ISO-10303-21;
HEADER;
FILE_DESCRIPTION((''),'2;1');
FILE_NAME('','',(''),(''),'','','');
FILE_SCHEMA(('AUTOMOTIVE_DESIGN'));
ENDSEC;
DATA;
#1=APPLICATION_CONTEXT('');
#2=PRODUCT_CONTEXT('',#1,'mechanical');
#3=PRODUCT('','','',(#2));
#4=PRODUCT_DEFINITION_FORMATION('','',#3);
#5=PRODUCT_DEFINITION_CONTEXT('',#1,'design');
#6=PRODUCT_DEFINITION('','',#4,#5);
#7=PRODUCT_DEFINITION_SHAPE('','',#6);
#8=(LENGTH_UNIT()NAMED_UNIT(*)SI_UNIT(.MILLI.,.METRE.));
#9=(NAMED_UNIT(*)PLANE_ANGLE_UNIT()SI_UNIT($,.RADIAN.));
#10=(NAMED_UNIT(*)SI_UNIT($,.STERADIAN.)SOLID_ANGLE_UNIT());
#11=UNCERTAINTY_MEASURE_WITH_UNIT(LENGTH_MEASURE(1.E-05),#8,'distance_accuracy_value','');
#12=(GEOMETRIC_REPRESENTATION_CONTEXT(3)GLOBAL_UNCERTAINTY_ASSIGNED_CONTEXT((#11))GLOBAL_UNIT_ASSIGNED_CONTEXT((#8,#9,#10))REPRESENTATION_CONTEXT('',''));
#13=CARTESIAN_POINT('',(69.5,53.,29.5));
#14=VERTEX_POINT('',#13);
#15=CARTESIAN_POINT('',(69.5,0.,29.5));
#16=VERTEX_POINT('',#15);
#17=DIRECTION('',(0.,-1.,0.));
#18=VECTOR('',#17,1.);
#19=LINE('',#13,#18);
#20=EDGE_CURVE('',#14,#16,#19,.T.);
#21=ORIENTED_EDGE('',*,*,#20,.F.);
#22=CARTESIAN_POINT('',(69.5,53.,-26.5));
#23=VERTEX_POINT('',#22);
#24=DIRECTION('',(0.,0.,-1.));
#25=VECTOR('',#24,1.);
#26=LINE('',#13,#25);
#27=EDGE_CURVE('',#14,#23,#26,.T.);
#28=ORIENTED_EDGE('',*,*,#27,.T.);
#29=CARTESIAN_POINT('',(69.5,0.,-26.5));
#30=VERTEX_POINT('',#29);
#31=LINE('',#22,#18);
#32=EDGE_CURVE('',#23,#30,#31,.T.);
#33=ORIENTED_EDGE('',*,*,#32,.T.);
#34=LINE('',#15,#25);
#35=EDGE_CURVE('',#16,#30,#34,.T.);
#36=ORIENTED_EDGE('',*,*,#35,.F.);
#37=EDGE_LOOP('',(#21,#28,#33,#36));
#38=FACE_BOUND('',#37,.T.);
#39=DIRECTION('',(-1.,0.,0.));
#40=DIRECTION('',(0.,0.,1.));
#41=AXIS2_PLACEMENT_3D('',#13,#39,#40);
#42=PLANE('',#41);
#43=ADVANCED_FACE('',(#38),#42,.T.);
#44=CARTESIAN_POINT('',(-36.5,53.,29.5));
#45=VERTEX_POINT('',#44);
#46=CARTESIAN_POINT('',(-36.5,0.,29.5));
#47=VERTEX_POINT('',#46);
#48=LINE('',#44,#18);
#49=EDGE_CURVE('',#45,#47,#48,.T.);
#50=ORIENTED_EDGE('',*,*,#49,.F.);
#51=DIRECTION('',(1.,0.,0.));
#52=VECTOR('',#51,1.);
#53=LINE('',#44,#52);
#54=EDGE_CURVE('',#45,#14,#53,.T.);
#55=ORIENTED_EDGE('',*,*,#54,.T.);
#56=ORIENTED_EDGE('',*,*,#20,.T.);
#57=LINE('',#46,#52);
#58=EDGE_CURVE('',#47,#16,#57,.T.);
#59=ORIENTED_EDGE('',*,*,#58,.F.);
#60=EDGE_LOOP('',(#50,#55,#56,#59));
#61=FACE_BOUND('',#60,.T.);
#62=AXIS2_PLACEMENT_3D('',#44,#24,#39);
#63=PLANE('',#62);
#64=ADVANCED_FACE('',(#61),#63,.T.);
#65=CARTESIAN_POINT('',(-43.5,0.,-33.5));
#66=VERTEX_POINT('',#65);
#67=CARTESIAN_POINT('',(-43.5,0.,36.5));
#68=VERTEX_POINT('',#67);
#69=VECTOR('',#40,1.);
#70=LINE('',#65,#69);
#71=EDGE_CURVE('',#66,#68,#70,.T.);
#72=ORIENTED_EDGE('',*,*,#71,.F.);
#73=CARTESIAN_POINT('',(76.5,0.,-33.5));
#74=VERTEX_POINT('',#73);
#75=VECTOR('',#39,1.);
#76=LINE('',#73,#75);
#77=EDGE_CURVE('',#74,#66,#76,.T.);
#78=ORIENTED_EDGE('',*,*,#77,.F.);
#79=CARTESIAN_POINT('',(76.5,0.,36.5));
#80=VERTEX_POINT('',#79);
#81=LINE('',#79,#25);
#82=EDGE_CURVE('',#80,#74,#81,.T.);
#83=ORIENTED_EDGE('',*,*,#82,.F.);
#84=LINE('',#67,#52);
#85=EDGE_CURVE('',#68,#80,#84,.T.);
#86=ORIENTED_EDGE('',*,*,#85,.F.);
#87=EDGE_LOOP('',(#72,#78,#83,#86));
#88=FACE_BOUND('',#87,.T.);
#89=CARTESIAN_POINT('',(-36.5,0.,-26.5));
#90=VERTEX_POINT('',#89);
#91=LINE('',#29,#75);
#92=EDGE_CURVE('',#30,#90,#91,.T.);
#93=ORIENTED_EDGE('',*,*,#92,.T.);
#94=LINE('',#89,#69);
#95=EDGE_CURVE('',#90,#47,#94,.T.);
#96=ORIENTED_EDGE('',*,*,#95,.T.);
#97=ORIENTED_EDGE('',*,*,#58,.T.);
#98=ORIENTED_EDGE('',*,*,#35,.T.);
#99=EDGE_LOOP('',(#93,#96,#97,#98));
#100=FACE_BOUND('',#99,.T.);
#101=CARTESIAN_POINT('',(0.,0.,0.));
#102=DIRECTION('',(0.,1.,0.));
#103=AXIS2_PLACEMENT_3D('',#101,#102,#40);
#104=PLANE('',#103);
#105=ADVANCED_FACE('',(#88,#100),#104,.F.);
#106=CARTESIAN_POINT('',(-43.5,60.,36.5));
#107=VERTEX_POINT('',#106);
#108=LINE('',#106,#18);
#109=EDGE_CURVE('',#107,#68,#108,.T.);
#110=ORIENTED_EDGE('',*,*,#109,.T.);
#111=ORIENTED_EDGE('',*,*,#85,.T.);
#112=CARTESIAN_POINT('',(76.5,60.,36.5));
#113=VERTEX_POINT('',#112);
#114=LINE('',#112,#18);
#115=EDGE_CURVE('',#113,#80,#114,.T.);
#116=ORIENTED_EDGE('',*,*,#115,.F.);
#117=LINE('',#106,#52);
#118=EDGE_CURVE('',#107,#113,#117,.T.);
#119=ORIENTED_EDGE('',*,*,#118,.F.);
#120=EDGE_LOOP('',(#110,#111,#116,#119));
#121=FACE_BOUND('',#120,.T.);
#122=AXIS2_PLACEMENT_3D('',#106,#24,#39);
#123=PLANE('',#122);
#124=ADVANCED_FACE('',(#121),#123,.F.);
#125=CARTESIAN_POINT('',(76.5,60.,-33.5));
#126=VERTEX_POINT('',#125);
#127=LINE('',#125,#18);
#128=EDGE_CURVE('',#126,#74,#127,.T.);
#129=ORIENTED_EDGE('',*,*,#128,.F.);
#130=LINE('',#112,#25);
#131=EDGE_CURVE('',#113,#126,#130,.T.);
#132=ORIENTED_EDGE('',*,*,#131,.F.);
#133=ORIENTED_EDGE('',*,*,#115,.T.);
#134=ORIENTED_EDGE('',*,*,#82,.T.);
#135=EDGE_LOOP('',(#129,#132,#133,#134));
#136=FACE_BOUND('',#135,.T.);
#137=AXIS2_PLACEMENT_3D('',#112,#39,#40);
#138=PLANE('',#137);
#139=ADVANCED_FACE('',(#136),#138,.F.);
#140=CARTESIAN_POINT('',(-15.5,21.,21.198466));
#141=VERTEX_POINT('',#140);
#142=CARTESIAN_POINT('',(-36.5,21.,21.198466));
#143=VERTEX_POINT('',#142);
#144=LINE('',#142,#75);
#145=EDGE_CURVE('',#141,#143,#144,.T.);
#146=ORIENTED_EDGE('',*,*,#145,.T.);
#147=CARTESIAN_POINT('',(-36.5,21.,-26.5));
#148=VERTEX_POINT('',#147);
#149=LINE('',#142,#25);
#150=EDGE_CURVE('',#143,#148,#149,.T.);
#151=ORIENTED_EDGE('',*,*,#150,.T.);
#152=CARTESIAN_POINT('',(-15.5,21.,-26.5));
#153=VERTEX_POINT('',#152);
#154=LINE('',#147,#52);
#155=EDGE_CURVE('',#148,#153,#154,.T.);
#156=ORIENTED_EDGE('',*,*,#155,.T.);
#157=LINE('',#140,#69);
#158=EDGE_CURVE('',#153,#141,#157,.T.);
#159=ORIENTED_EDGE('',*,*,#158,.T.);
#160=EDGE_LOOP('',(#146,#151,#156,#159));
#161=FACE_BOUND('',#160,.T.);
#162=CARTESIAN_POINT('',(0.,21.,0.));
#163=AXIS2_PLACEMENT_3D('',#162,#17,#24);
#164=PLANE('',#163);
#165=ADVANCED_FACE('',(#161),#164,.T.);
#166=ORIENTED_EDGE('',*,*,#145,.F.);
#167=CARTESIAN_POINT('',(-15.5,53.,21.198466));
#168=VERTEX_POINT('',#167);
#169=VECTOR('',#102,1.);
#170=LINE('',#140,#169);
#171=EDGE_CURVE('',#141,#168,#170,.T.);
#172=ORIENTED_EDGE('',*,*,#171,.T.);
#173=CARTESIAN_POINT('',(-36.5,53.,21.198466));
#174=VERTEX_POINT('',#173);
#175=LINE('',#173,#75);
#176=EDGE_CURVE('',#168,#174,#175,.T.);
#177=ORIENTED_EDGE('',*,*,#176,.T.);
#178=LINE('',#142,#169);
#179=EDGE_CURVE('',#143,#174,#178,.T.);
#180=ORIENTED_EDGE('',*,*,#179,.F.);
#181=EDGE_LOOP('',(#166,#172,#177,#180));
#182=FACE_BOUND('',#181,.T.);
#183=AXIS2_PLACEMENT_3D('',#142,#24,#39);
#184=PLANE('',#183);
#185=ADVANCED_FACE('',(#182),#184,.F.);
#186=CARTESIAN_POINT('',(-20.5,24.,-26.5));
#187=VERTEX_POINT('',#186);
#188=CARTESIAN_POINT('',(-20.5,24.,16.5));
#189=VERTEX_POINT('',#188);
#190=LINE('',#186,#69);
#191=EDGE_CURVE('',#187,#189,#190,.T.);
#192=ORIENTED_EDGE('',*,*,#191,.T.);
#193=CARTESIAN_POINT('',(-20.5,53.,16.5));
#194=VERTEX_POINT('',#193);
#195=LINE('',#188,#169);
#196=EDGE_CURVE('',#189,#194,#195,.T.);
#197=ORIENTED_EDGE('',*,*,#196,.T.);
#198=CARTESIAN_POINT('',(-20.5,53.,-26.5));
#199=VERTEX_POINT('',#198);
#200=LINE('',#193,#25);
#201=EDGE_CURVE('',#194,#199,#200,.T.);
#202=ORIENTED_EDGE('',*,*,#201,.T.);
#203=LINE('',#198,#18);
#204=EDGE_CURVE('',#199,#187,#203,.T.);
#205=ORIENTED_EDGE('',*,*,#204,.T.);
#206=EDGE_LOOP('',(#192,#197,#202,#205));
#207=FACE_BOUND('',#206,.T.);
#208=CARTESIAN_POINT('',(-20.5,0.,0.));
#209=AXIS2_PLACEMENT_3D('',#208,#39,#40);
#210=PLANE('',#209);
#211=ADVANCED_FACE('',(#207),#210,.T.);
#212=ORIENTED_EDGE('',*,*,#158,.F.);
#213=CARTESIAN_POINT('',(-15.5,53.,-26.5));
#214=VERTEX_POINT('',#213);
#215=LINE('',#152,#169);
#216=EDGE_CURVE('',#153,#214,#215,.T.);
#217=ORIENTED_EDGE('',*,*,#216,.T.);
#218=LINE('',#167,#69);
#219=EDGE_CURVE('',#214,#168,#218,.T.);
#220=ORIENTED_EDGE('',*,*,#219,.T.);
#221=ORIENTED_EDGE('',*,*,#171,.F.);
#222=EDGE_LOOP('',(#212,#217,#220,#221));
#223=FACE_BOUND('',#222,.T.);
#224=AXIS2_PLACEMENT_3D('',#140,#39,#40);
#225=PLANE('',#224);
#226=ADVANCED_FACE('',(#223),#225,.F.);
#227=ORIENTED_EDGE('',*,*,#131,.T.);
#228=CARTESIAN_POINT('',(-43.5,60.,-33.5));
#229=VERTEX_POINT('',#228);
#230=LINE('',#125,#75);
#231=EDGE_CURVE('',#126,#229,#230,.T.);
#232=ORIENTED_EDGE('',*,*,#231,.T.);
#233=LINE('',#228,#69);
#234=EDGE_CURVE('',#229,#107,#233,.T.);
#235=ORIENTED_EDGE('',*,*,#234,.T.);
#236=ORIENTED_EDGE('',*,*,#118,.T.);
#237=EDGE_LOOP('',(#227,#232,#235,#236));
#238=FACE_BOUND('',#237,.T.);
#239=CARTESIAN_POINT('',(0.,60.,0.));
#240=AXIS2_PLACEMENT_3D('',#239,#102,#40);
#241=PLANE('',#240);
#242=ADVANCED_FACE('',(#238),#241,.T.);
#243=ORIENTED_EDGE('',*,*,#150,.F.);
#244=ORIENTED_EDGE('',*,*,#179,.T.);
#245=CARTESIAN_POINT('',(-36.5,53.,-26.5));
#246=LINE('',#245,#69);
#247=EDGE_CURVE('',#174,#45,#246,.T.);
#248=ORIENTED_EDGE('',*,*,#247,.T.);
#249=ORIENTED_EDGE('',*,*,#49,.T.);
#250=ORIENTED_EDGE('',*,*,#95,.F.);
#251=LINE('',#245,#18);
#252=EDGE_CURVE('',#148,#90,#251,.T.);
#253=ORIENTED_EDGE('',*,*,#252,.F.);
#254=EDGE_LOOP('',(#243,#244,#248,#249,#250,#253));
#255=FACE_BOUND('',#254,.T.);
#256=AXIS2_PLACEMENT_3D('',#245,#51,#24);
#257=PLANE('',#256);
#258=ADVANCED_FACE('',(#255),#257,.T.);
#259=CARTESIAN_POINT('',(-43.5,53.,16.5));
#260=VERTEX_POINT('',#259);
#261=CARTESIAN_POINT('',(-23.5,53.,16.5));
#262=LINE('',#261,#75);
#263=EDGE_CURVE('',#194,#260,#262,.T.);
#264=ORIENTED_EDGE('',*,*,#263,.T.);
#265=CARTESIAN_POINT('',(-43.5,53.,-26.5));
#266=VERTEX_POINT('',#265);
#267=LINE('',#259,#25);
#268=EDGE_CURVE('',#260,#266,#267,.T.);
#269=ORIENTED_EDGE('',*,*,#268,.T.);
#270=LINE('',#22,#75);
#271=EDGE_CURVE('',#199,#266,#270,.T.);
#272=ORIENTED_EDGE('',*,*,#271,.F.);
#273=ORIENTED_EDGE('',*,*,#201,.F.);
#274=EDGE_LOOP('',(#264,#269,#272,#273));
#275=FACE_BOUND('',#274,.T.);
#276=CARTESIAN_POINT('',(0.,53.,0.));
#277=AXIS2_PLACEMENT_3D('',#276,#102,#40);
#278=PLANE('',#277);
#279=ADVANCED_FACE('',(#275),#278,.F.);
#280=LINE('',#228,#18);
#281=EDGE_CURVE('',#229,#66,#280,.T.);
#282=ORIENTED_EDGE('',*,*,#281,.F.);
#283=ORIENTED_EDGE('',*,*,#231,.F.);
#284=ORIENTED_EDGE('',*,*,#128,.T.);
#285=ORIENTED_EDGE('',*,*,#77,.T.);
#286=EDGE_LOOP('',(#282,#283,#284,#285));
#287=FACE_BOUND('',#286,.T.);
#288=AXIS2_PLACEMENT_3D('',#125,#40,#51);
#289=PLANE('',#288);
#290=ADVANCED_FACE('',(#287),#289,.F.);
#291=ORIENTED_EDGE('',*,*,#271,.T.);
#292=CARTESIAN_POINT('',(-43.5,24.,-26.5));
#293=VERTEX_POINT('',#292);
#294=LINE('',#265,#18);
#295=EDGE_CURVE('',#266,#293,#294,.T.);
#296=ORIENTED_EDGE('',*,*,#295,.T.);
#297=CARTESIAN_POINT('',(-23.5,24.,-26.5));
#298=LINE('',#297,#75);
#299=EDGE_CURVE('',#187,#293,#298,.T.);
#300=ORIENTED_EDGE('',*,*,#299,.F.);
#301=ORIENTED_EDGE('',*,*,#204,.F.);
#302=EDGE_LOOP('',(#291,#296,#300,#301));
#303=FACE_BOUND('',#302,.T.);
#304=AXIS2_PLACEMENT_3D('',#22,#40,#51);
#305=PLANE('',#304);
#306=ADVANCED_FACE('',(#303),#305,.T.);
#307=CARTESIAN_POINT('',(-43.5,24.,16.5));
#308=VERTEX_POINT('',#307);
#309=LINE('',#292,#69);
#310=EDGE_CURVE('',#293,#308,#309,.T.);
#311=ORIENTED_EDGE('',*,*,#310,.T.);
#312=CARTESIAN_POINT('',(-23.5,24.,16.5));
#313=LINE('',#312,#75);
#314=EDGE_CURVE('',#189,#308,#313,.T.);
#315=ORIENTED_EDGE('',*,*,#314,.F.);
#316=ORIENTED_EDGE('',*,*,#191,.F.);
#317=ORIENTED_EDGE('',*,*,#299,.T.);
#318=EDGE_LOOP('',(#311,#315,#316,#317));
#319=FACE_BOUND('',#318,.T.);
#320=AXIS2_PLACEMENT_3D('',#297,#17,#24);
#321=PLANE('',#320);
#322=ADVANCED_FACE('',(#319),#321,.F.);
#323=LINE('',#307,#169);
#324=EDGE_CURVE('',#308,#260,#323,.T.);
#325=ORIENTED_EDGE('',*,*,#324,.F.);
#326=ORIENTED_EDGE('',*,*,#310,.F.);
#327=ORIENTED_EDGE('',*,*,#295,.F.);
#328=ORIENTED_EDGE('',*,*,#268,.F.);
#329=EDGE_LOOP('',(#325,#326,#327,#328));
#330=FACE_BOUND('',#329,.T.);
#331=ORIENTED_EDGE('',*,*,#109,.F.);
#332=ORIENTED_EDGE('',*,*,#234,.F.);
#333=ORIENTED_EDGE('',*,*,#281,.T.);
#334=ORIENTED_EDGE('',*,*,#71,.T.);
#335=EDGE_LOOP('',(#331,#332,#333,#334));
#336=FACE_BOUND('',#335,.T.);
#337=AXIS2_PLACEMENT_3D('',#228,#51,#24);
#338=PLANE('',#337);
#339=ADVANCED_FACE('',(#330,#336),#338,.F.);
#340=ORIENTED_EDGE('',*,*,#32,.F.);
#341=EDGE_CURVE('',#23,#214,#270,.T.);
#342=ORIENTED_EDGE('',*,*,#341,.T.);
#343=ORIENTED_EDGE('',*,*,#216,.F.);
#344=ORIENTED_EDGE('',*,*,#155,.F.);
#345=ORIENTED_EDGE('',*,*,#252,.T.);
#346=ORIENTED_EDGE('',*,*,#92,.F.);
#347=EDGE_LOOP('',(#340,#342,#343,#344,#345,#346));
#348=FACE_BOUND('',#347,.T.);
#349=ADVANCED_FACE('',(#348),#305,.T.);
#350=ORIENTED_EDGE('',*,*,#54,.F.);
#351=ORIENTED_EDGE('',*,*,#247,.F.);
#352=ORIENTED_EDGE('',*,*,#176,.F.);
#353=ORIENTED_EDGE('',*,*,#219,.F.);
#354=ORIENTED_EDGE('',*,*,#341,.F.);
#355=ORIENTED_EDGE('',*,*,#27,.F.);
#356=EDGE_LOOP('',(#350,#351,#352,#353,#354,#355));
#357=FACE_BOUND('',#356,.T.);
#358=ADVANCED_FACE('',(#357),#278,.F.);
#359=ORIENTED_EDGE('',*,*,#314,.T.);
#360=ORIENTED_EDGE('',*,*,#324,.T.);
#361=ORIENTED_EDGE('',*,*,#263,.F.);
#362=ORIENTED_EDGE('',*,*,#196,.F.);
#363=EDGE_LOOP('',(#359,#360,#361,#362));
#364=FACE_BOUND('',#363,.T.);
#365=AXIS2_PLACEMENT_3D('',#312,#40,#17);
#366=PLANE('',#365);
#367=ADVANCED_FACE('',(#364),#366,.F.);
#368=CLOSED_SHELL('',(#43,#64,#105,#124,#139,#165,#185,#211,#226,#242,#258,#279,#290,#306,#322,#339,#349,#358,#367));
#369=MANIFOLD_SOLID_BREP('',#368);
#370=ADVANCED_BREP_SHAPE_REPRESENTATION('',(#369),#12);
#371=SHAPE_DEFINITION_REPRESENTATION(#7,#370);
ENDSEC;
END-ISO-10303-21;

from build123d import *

# Parameters (mm, degrees)
CROQUIS1_W              = 120
CROQUIS1_H              = 70
SALIENTE_EXTRUIR1_DEPTH = 60
CROQUIS2_W              = 106
CROQUIS2_H              = 56
CORTAR_EXTRUIR1_DEPTH   = 53
CROQUIS3_W              = 43
CROQUIS3_H              = 29
CORTAR_EXTRUIR2_DEPTH   = 20
CROQUIS4_W              = 21
CROQUIS4_H              = 47.698466119
SALIENTE_EXTRUIR2_DEPTH = 32
CROQUIS5_W              = 43
CROQUIS5_H              = 29
CORTAR_EXTRUIR3_DEPTH   = 16


with BuildPart() as part:
    # Croquis1 → Saliente-Extruir1 (new body)
    with BuildSketch(Plane(origin=(0, 0, 0), x_dir=(1, 0, 0), z_dir=(0, 1, 0))):
        with Locations((16.5, -1.5)):
            Rectangle(CROQUIS1_W, CROQUIS1_H)
    extrude(amount=SALIENTE_EXTRUIR1_DEPTH)

    # Croquis2 → Cortar-Extruir1 (cut)
    with BuildSketch(Plane(origin=(0, 0, 0), x_dir=(1, 0, 0), z_dir=(0, 1, 0))):
        with Locations((16.5, -1.5)):
            Rectangle(CROQUIS2_W, CROQUIS2_H)
    extrude(amount=CORTAR_EXTRUIR1_DEPTH, mode=Mode.SUBTRACT)

    # Croquis3 → Cortar-Extruir2 (cut)
    with BuildSketch(Plane.ZY.offset(43.5)):
        with Locations((-5, 38.5)):
            Rectangle(CROQUIS3_W, CROQUIS3_H)
    extrude(amount=-CORTAR_EXTRUIR2_DEPTH, mode=Mode.SUBTRACT)

    # Croquis4 → Saliente-Extruir2 (add)
    with BuildSketch(Plane.XZ.offset(-53)):
        with Locations((-26, -2.65076694)):
            Rectangle(CROQUIS4_W, CROQUIS4_H)
    extrude(amount=SALIENTE_EXTRUIR2_DEPTH)

    # Croquis5 → Cortar-Extruir3 (cut)
    with BuildSketch(Plane.ZY.offset(36.5)):
        with Locations((-5, 38.5)):
            Rectangle(CROQUIS5_W, CROQUIS5_H)
    extrude(amount=-CORTAR_EXTRUIR3_DEPTH, mode=Mode.SUBTRACT)


solid = part.part
